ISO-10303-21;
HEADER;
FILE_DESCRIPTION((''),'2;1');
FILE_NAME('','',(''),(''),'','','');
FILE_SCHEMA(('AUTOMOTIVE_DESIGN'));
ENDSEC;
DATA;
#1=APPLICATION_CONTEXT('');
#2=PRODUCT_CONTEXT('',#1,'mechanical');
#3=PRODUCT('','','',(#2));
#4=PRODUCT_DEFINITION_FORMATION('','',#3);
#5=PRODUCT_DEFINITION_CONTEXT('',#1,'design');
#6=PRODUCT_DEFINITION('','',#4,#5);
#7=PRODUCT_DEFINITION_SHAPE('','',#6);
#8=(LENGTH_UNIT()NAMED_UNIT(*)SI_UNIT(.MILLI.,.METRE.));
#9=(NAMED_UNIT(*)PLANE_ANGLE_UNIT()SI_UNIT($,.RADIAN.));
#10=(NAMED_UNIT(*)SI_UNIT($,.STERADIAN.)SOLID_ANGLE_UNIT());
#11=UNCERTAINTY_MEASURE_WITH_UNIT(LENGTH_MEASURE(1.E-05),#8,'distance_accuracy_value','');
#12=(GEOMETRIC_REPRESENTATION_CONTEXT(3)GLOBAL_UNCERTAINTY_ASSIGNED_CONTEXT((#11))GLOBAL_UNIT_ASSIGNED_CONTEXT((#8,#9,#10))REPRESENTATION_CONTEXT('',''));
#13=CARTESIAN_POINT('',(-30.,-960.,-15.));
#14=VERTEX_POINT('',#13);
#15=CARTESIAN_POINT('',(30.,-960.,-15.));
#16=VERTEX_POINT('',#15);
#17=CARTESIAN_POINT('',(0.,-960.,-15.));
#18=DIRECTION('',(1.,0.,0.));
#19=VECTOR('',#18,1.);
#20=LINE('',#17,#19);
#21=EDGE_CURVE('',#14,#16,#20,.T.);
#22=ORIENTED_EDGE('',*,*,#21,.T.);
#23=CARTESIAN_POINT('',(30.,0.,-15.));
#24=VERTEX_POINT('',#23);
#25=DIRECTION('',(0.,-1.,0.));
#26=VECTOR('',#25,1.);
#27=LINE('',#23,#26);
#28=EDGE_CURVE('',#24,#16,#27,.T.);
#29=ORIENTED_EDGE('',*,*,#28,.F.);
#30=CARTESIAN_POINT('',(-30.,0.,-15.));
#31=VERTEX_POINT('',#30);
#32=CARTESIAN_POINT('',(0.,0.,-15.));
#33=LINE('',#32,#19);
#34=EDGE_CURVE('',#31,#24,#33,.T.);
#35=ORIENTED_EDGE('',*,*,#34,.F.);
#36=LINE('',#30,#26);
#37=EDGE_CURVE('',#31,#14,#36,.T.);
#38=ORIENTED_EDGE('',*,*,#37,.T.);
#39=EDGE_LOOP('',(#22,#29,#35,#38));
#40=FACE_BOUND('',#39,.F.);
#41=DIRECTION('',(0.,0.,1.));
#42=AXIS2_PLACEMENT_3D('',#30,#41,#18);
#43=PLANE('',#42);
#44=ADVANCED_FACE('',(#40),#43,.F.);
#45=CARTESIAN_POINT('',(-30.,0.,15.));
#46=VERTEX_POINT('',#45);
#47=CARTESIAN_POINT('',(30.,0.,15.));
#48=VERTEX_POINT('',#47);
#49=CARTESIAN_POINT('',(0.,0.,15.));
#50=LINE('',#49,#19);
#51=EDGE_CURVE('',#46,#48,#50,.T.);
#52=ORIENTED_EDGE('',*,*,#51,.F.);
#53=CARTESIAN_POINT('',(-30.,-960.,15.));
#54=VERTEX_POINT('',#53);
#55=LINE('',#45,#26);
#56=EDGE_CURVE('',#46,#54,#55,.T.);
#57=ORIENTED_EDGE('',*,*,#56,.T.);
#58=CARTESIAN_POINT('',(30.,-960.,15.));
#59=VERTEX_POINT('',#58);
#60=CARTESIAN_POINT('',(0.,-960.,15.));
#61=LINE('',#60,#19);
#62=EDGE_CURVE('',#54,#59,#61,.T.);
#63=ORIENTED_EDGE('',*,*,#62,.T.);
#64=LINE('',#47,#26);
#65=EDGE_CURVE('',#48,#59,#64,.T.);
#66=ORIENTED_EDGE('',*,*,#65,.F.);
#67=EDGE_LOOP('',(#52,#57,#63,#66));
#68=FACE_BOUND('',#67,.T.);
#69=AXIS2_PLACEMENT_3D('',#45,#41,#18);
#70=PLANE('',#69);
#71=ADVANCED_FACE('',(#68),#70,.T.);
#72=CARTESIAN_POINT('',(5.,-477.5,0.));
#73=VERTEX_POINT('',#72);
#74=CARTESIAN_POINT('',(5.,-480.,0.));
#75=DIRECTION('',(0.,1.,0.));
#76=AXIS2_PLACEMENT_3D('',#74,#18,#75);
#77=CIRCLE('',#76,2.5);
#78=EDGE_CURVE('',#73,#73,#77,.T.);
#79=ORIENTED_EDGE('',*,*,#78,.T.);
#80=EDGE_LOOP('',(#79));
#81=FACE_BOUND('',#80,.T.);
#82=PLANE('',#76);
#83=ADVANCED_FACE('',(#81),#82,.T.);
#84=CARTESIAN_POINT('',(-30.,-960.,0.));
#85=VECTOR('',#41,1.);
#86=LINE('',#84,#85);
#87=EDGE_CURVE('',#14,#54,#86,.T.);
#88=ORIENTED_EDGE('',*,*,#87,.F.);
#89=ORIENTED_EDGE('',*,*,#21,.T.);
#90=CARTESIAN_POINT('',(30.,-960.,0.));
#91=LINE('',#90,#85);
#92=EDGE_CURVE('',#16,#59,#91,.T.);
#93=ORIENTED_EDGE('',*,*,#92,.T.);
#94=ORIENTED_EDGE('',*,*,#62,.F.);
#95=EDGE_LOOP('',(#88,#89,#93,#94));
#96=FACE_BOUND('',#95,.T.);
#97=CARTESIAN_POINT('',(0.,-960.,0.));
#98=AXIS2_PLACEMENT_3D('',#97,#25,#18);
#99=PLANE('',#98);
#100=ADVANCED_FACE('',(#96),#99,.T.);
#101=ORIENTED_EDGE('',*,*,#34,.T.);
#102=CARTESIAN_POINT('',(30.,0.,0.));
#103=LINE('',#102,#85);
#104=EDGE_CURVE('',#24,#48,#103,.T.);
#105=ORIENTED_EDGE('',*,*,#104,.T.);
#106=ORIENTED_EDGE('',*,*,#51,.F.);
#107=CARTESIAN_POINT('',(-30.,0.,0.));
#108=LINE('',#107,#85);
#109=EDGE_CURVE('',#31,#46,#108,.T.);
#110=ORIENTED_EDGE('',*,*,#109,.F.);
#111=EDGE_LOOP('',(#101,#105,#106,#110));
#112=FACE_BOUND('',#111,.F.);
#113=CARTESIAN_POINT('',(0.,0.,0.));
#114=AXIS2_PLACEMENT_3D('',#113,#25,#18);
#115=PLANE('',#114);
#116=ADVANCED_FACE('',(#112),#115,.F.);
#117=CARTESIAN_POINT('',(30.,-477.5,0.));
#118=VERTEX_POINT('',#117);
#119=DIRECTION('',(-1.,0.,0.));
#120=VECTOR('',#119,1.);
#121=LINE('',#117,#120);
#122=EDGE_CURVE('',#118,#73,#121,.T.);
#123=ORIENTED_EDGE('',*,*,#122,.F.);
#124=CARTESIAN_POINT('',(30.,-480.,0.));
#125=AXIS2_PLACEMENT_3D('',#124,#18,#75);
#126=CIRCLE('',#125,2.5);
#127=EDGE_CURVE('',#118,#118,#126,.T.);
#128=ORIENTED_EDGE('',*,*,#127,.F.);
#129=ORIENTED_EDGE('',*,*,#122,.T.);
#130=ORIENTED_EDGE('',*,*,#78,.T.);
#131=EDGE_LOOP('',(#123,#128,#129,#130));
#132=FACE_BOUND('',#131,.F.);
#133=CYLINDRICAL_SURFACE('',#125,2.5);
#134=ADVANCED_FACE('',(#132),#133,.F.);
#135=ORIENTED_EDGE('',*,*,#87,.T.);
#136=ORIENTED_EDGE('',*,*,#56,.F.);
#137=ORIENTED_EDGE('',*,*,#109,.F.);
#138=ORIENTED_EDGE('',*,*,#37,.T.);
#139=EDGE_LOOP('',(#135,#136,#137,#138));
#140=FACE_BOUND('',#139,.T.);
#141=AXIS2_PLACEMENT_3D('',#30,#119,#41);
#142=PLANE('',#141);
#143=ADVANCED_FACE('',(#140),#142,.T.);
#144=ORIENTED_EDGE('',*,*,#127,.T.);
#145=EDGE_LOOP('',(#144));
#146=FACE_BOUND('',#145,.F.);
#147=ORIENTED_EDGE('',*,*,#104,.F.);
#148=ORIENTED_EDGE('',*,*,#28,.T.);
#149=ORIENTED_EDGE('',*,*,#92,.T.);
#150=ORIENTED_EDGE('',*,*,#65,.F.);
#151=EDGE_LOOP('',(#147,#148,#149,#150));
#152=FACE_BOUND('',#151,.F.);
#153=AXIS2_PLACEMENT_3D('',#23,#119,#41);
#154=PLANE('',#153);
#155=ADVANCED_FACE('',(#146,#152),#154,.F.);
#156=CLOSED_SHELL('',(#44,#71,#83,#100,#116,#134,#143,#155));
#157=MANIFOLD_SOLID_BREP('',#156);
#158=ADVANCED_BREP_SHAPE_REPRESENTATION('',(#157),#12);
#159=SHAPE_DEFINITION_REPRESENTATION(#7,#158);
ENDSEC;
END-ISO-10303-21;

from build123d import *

# Parameters (mm, degrees)
F0_W     = 60
F0_H     = 30
F1_DEPTH = 960
F2_R     = 2.5
F3_DEPTH = 25


with BuildPart() as f1:
    # F0 (on Front) → F1 (new body)
    with BuildSketch(Plane.XZ):
        Rectangle(F0_W, F0_H)
    extrude(amount=F1_DEPTH)

    # F2 (on face) → F3 (cut)
    with BuildSketch(Plane.YZ.offset(30)):
        with Locations((-480, 0)):
            Circle(F2_R)
    extrude(amount=-F3_DEPTH, mode=Mode.SUBTRACT)


solid = f1.part
